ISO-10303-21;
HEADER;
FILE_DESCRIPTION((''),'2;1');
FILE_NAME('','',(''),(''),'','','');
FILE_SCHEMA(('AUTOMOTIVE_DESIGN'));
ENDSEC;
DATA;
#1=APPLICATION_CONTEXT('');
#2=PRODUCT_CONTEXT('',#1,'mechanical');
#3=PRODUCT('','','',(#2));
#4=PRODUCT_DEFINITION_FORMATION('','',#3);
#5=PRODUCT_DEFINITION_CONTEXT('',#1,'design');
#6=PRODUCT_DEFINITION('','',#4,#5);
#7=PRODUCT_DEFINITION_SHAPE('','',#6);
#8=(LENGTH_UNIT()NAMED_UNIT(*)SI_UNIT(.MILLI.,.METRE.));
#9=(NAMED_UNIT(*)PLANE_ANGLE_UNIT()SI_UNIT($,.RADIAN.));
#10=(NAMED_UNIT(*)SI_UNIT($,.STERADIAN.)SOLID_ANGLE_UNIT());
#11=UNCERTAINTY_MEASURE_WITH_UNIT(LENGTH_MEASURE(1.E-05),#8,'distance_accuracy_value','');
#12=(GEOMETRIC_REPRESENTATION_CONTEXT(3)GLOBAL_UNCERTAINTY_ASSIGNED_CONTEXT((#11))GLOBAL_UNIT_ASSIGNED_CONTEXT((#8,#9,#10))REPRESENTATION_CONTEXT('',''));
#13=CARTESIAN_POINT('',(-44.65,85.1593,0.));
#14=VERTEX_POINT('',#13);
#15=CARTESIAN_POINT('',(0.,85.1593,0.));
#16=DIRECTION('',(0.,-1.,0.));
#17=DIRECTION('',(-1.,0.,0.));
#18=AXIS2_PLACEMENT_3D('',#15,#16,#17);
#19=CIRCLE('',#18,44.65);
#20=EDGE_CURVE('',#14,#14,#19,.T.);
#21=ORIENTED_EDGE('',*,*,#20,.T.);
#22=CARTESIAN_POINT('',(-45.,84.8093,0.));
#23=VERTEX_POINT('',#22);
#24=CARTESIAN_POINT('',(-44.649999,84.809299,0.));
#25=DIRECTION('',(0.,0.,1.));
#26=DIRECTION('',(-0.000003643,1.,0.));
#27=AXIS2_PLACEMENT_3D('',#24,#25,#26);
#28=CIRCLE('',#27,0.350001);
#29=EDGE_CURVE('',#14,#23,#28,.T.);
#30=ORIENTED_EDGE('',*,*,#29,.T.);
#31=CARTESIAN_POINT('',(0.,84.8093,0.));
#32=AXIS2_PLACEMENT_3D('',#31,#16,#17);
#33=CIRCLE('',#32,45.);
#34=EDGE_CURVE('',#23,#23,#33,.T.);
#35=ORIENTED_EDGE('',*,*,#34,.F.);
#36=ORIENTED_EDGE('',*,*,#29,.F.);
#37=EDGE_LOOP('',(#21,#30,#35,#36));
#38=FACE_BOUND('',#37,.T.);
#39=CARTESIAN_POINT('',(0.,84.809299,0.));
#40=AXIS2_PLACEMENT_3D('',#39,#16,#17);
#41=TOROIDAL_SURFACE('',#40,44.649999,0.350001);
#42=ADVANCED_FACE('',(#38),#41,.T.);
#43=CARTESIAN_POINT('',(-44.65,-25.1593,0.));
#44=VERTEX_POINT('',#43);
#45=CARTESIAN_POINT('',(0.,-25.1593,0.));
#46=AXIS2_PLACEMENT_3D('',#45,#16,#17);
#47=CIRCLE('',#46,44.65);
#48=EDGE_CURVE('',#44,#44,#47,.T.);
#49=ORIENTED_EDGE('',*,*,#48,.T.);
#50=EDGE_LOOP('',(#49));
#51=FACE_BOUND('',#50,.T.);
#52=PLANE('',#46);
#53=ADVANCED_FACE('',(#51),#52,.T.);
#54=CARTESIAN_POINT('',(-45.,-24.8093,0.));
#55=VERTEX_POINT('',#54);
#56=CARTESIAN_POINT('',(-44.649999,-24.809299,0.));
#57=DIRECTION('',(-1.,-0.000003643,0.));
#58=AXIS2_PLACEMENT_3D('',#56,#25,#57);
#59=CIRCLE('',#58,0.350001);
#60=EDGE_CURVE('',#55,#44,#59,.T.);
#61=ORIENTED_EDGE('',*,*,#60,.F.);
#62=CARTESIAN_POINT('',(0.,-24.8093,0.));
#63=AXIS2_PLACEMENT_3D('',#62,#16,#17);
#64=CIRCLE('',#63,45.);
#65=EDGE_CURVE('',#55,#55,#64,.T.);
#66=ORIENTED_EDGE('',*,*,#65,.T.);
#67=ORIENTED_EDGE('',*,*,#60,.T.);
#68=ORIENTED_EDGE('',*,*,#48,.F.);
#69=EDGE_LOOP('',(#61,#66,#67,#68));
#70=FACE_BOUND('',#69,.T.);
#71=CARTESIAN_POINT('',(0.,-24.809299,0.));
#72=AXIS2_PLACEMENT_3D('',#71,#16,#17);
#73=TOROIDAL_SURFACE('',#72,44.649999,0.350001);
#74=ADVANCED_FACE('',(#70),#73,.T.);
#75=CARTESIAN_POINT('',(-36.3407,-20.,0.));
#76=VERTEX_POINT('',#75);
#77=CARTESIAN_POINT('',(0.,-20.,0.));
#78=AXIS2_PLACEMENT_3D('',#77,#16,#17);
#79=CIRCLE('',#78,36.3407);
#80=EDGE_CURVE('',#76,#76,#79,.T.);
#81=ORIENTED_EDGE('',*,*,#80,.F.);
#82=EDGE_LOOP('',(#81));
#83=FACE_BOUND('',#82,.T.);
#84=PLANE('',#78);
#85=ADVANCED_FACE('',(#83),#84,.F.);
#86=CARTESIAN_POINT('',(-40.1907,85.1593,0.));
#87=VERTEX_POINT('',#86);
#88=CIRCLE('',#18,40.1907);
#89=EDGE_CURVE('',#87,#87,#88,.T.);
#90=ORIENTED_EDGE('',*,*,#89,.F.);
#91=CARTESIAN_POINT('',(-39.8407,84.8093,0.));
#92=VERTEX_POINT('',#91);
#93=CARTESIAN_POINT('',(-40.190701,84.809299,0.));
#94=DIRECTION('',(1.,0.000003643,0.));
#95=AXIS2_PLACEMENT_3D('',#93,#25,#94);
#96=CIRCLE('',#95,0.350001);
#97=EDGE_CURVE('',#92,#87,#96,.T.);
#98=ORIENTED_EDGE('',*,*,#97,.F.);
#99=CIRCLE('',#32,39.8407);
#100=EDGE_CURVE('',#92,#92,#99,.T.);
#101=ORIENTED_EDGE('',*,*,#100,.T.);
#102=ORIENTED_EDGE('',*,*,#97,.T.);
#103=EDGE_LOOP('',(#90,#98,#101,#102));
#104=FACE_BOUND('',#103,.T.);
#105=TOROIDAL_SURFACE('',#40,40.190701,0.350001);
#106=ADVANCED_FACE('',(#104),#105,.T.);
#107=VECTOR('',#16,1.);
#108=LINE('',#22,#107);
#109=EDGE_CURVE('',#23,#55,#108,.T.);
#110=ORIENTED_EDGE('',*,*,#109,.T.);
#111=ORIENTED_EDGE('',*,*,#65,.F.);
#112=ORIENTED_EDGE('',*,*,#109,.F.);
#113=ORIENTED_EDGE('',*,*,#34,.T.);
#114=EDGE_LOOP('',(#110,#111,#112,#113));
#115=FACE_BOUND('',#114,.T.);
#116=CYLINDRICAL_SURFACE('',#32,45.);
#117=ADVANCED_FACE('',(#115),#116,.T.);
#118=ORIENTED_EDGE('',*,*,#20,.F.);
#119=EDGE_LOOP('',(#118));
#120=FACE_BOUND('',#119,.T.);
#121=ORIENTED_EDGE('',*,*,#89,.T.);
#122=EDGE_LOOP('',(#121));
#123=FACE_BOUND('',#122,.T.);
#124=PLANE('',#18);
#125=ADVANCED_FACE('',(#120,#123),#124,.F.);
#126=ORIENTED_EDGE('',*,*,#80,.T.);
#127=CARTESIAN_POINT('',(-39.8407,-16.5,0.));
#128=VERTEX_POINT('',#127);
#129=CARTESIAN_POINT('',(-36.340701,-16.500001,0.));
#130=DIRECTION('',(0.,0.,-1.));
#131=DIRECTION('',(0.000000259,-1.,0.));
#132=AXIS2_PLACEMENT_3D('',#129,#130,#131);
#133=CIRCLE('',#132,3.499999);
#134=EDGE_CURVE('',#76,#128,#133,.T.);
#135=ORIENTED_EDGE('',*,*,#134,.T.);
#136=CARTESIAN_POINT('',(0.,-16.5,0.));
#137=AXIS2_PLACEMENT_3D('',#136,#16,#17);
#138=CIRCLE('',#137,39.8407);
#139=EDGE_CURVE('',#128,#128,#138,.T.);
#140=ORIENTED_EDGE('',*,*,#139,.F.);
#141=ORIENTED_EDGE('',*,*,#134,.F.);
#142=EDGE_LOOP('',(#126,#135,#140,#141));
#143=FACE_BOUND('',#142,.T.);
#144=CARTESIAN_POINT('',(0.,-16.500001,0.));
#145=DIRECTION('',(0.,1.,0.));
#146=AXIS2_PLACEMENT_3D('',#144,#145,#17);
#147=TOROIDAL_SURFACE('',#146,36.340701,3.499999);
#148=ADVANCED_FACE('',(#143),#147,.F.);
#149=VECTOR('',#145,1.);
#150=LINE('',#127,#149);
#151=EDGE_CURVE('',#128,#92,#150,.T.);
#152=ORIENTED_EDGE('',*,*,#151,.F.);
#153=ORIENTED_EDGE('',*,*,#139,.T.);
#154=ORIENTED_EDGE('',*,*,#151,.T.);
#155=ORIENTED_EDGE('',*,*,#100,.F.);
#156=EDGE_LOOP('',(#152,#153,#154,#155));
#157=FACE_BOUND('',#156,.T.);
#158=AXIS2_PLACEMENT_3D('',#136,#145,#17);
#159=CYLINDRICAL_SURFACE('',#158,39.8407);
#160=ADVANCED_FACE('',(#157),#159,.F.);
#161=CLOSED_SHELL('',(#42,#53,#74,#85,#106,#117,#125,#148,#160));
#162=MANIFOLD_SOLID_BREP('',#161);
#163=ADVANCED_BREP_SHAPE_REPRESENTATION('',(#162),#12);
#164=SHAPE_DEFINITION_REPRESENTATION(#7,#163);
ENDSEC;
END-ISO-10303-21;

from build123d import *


with BuildPart() as f1:
    # F0 (on Top) → F1 (revolve)
    with BuildSketch(Plane.XY):
        with BuildLine():
            Line((0, -25.1593), (0, -20))
            Line((0, -20), (-36.3407, -20))
            ThreePointArc((-36.3407, -20), (-38.815574, -18.974874), (-39.8407, -16.5))
            Line((-39.8407, -16.5), (-39.8407, 84.8093))
            ThreePointArc((-39.8407, 84.8093), (-39.943213, 85.056787), (-40.1907, 85.1593))
            Line((-40.1907, 85.1593), (-44.65, 85.1593))
            ThreePointArc((-44.65, 85.1593), (-44.897487, 85.056787), (-45, 84.8093))
            Line((-45, 84.8093), (-45, -24.8093))
            ThreePointArc((-45, -24.8093), (-44.897487, -25.056787), (-44.65, -25.1593))
            Line((-44.65, -25.1593), (0, -25.1593))
        make_face()
    revolve(axis=Axis((0, -25.1593, 0), (0, -1, 0)))


solid = f1.part
